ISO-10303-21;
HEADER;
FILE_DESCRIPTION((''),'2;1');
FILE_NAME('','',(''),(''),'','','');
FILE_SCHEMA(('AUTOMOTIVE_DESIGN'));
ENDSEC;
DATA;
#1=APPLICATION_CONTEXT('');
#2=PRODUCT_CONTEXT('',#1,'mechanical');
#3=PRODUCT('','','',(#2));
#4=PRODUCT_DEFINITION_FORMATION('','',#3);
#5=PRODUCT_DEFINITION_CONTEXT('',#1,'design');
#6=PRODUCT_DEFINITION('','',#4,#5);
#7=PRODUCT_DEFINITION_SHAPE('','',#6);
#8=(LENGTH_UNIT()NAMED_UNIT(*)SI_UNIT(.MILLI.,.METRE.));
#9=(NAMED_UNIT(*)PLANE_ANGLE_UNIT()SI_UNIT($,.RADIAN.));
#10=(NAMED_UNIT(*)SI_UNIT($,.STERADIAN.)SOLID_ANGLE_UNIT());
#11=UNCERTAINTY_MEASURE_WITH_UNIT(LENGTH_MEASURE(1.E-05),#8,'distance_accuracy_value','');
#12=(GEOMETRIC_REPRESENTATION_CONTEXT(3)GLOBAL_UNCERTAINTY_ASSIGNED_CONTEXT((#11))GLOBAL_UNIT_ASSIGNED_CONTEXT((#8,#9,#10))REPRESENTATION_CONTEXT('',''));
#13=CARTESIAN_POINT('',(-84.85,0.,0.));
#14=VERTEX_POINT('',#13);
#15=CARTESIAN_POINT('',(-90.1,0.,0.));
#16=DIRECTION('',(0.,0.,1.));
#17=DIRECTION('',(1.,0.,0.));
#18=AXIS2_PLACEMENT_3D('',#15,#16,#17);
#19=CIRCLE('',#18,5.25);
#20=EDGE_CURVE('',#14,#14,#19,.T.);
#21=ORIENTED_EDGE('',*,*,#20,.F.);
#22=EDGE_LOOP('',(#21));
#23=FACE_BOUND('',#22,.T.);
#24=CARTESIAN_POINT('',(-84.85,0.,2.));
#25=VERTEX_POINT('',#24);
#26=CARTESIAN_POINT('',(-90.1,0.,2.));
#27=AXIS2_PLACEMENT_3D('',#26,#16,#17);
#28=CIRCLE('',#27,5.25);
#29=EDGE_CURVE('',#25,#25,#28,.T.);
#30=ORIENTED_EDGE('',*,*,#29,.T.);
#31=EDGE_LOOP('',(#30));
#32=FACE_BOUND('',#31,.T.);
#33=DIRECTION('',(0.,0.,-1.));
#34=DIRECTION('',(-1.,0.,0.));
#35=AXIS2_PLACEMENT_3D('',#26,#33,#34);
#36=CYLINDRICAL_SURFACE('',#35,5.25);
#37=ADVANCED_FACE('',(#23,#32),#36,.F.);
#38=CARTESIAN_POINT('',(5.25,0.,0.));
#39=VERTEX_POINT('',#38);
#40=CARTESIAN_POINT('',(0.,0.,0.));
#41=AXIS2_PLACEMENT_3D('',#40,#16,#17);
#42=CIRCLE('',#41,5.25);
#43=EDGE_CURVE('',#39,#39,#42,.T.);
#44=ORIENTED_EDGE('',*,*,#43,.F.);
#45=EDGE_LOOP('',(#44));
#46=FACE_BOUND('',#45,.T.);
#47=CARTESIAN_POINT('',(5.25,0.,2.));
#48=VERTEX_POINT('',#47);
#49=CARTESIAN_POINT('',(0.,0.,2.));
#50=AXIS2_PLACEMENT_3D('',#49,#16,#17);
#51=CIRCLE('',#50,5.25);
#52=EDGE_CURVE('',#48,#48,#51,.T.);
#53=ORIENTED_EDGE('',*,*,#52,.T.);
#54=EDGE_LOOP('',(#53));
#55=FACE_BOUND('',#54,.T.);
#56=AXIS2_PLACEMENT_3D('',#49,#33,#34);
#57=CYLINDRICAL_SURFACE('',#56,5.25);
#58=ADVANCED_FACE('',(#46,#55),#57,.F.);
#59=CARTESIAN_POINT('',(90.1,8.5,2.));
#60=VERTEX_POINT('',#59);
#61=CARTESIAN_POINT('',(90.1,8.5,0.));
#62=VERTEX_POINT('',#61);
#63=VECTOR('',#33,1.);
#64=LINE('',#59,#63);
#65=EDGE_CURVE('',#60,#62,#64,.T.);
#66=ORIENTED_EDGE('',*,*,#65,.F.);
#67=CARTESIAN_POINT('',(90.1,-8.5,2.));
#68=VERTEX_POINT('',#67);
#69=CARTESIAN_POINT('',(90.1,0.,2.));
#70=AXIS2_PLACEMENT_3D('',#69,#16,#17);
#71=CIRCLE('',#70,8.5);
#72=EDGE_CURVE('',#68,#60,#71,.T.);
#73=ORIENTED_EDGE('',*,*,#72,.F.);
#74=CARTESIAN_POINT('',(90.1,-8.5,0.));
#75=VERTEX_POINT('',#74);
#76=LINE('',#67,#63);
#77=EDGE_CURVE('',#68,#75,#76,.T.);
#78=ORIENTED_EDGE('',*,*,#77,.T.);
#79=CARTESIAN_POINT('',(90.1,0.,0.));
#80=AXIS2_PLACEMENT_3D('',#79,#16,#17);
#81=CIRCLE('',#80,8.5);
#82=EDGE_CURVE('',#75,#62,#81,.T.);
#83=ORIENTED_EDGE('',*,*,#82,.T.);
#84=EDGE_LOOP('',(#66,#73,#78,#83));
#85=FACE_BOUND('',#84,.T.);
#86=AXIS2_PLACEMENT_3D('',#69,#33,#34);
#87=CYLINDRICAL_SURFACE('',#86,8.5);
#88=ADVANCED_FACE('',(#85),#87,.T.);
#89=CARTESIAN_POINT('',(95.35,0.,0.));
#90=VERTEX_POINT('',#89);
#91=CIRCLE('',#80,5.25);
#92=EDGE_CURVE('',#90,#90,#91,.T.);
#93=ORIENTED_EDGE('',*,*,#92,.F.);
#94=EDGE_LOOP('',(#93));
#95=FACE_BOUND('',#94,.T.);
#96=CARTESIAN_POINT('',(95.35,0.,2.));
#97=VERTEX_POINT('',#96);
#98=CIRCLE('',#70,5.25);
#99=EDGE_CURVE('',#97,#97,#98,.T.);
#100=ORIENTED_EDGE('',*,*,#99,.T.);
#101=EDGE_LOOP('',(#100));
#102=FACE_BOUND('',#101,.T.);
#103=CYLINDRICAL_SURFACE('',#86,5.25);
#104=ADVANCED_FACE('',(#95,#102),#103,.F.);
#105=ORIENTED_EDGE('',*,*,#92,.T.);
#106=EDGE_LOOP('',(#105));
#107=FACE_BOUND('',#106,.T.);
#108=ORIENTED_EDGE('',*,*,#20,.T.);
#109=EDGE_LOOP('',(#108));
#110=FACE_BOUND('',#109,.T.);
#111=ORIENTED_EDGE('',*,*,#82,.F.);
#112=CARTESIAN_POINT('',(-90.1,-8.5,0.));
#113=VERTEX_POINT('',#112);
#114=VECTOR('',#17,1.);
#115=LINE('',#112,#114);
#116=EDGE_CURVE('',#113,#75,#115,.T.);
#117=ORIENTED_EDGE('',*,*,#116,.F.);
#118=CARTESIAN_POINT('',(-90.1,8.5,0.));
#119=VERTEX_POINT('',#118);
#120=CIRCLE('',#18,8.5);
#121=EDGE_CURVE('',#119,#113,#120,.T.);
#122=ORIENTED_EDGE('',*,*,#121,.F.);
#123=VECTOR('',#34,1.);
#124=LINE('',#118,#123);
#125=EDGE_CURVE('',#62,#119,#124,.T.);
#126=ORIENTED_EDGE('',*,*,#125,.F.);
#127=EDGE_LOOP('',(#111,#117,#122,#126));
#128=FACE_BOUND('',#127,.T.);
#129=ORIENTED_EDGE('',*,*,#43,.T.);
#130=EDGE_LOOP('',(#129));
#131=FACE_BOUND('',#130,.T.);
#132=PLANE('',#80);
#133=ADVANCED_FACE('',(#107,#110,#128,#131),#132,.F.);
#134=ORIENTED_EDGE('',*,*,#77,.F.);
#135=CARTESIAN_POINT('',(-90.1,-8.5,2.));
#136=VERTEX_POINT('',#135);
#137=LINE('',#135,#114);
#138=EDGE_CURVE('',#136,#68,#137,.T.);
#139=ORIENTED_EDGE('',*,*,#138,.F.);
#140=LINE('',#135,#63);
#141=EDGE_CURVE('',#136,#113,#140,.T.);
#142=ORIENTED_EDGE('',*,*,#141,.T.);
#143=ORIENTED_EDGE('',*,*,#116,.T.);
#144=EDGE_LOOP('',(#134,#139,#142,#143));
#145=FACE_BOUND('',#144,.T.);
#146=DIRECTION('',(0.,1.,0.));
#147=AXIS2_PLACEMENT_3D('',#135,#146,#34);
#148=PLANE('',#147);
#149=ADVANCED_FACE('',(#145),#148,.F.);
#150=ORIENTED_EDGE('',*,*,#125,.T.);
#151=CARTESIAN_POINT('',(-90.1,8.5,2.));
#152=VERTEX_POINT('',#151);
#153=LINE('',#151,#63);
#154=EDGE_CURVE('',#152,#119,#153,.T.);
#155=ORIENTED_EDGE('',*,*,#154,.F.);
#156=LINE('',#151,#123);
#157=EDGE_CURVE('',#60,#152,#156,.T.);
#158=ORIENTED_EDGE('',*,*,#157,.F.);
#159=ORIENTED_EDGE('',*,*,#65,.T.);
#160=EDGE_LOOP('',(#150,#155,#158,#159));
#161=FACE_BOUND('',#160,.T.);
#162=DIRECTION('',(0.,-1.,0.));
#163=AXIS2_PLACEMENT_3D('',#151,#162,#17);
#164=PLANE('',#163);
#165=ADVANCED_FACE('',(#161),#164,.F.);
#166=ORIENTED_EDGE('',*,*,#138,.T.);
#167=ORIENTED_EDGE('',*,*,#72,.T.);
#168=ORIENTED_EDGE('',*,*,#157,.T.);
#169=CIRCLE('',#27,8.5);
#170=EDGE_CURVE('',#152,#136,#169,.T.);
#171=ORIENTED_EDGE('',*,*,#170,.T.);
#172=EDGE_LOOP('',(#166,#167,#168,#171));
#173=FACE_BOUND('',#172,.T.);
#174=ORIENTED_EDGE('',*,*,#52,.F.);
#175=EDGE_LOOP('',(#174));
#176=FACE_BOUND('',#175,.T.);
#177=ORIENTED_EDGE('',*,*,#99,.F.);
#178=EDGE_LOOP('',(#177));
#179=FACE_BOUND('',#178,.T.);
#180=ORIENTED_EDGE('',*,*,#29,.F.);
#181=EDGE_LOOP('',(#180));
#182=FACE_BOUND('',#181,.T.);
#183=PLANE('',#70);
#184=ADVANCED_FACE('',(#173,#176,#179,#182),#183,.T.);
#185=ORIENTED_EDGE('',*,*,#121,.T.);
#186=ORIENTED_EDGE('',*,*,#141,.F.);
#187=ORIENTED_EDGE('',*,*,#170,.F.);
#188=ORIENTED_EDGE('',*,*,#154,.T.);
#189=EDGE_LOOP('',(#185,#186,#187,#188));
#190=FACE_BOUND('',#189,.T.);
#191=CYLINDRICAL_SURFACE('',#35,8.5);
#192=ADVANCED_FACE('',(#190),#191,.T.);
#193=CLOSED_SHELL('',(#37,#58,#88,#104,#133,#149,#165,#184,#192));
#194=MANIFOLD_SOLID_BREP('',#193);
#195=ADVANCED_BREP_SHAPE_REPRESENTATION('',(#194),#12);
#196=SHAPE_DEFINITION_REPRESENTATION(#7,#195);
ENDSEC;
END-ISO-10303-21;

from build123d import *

# Parameters (mm, degrees)
SKIZZE2_R                       = 5.25
AUFSATZ_LINEAR_AUSTRAGEN1_DEPTH = 2


with BuildPart() as part:
    # Skizze2 → Aufsatz-Linear austragen1 (new body)
    with BuildSketch(Plane.XY):
        with BuildLine():
            Line((-90.1, 8.5), (90.1, 8.5))
            ThreePointArc((90.1, 8.5), (98.6, 0), (90.1, -8.5))
            Line((90.1, -8.5), (-90.1, -8.5))
            ThreePointArc((-90.1, -8.5), (-98.6, 0), (-90.1, 8.5))
        make_face()
        with Locations((-90.1, 0)):
            Circle(SKIZZE2_R, mode=Mode.SUBTRACT)
        with Locations((90.1, 0)):
            Circle(SKIZZE2_R, mode=Mode.SUBTRACT)
        Circle(SKIZZE2_R, mode=Mode.SUBTRACT)
    extrude(amount=AUFSATZ_LINEAR_AUSTRAGEN1_DEPTH)


solid = part.part
